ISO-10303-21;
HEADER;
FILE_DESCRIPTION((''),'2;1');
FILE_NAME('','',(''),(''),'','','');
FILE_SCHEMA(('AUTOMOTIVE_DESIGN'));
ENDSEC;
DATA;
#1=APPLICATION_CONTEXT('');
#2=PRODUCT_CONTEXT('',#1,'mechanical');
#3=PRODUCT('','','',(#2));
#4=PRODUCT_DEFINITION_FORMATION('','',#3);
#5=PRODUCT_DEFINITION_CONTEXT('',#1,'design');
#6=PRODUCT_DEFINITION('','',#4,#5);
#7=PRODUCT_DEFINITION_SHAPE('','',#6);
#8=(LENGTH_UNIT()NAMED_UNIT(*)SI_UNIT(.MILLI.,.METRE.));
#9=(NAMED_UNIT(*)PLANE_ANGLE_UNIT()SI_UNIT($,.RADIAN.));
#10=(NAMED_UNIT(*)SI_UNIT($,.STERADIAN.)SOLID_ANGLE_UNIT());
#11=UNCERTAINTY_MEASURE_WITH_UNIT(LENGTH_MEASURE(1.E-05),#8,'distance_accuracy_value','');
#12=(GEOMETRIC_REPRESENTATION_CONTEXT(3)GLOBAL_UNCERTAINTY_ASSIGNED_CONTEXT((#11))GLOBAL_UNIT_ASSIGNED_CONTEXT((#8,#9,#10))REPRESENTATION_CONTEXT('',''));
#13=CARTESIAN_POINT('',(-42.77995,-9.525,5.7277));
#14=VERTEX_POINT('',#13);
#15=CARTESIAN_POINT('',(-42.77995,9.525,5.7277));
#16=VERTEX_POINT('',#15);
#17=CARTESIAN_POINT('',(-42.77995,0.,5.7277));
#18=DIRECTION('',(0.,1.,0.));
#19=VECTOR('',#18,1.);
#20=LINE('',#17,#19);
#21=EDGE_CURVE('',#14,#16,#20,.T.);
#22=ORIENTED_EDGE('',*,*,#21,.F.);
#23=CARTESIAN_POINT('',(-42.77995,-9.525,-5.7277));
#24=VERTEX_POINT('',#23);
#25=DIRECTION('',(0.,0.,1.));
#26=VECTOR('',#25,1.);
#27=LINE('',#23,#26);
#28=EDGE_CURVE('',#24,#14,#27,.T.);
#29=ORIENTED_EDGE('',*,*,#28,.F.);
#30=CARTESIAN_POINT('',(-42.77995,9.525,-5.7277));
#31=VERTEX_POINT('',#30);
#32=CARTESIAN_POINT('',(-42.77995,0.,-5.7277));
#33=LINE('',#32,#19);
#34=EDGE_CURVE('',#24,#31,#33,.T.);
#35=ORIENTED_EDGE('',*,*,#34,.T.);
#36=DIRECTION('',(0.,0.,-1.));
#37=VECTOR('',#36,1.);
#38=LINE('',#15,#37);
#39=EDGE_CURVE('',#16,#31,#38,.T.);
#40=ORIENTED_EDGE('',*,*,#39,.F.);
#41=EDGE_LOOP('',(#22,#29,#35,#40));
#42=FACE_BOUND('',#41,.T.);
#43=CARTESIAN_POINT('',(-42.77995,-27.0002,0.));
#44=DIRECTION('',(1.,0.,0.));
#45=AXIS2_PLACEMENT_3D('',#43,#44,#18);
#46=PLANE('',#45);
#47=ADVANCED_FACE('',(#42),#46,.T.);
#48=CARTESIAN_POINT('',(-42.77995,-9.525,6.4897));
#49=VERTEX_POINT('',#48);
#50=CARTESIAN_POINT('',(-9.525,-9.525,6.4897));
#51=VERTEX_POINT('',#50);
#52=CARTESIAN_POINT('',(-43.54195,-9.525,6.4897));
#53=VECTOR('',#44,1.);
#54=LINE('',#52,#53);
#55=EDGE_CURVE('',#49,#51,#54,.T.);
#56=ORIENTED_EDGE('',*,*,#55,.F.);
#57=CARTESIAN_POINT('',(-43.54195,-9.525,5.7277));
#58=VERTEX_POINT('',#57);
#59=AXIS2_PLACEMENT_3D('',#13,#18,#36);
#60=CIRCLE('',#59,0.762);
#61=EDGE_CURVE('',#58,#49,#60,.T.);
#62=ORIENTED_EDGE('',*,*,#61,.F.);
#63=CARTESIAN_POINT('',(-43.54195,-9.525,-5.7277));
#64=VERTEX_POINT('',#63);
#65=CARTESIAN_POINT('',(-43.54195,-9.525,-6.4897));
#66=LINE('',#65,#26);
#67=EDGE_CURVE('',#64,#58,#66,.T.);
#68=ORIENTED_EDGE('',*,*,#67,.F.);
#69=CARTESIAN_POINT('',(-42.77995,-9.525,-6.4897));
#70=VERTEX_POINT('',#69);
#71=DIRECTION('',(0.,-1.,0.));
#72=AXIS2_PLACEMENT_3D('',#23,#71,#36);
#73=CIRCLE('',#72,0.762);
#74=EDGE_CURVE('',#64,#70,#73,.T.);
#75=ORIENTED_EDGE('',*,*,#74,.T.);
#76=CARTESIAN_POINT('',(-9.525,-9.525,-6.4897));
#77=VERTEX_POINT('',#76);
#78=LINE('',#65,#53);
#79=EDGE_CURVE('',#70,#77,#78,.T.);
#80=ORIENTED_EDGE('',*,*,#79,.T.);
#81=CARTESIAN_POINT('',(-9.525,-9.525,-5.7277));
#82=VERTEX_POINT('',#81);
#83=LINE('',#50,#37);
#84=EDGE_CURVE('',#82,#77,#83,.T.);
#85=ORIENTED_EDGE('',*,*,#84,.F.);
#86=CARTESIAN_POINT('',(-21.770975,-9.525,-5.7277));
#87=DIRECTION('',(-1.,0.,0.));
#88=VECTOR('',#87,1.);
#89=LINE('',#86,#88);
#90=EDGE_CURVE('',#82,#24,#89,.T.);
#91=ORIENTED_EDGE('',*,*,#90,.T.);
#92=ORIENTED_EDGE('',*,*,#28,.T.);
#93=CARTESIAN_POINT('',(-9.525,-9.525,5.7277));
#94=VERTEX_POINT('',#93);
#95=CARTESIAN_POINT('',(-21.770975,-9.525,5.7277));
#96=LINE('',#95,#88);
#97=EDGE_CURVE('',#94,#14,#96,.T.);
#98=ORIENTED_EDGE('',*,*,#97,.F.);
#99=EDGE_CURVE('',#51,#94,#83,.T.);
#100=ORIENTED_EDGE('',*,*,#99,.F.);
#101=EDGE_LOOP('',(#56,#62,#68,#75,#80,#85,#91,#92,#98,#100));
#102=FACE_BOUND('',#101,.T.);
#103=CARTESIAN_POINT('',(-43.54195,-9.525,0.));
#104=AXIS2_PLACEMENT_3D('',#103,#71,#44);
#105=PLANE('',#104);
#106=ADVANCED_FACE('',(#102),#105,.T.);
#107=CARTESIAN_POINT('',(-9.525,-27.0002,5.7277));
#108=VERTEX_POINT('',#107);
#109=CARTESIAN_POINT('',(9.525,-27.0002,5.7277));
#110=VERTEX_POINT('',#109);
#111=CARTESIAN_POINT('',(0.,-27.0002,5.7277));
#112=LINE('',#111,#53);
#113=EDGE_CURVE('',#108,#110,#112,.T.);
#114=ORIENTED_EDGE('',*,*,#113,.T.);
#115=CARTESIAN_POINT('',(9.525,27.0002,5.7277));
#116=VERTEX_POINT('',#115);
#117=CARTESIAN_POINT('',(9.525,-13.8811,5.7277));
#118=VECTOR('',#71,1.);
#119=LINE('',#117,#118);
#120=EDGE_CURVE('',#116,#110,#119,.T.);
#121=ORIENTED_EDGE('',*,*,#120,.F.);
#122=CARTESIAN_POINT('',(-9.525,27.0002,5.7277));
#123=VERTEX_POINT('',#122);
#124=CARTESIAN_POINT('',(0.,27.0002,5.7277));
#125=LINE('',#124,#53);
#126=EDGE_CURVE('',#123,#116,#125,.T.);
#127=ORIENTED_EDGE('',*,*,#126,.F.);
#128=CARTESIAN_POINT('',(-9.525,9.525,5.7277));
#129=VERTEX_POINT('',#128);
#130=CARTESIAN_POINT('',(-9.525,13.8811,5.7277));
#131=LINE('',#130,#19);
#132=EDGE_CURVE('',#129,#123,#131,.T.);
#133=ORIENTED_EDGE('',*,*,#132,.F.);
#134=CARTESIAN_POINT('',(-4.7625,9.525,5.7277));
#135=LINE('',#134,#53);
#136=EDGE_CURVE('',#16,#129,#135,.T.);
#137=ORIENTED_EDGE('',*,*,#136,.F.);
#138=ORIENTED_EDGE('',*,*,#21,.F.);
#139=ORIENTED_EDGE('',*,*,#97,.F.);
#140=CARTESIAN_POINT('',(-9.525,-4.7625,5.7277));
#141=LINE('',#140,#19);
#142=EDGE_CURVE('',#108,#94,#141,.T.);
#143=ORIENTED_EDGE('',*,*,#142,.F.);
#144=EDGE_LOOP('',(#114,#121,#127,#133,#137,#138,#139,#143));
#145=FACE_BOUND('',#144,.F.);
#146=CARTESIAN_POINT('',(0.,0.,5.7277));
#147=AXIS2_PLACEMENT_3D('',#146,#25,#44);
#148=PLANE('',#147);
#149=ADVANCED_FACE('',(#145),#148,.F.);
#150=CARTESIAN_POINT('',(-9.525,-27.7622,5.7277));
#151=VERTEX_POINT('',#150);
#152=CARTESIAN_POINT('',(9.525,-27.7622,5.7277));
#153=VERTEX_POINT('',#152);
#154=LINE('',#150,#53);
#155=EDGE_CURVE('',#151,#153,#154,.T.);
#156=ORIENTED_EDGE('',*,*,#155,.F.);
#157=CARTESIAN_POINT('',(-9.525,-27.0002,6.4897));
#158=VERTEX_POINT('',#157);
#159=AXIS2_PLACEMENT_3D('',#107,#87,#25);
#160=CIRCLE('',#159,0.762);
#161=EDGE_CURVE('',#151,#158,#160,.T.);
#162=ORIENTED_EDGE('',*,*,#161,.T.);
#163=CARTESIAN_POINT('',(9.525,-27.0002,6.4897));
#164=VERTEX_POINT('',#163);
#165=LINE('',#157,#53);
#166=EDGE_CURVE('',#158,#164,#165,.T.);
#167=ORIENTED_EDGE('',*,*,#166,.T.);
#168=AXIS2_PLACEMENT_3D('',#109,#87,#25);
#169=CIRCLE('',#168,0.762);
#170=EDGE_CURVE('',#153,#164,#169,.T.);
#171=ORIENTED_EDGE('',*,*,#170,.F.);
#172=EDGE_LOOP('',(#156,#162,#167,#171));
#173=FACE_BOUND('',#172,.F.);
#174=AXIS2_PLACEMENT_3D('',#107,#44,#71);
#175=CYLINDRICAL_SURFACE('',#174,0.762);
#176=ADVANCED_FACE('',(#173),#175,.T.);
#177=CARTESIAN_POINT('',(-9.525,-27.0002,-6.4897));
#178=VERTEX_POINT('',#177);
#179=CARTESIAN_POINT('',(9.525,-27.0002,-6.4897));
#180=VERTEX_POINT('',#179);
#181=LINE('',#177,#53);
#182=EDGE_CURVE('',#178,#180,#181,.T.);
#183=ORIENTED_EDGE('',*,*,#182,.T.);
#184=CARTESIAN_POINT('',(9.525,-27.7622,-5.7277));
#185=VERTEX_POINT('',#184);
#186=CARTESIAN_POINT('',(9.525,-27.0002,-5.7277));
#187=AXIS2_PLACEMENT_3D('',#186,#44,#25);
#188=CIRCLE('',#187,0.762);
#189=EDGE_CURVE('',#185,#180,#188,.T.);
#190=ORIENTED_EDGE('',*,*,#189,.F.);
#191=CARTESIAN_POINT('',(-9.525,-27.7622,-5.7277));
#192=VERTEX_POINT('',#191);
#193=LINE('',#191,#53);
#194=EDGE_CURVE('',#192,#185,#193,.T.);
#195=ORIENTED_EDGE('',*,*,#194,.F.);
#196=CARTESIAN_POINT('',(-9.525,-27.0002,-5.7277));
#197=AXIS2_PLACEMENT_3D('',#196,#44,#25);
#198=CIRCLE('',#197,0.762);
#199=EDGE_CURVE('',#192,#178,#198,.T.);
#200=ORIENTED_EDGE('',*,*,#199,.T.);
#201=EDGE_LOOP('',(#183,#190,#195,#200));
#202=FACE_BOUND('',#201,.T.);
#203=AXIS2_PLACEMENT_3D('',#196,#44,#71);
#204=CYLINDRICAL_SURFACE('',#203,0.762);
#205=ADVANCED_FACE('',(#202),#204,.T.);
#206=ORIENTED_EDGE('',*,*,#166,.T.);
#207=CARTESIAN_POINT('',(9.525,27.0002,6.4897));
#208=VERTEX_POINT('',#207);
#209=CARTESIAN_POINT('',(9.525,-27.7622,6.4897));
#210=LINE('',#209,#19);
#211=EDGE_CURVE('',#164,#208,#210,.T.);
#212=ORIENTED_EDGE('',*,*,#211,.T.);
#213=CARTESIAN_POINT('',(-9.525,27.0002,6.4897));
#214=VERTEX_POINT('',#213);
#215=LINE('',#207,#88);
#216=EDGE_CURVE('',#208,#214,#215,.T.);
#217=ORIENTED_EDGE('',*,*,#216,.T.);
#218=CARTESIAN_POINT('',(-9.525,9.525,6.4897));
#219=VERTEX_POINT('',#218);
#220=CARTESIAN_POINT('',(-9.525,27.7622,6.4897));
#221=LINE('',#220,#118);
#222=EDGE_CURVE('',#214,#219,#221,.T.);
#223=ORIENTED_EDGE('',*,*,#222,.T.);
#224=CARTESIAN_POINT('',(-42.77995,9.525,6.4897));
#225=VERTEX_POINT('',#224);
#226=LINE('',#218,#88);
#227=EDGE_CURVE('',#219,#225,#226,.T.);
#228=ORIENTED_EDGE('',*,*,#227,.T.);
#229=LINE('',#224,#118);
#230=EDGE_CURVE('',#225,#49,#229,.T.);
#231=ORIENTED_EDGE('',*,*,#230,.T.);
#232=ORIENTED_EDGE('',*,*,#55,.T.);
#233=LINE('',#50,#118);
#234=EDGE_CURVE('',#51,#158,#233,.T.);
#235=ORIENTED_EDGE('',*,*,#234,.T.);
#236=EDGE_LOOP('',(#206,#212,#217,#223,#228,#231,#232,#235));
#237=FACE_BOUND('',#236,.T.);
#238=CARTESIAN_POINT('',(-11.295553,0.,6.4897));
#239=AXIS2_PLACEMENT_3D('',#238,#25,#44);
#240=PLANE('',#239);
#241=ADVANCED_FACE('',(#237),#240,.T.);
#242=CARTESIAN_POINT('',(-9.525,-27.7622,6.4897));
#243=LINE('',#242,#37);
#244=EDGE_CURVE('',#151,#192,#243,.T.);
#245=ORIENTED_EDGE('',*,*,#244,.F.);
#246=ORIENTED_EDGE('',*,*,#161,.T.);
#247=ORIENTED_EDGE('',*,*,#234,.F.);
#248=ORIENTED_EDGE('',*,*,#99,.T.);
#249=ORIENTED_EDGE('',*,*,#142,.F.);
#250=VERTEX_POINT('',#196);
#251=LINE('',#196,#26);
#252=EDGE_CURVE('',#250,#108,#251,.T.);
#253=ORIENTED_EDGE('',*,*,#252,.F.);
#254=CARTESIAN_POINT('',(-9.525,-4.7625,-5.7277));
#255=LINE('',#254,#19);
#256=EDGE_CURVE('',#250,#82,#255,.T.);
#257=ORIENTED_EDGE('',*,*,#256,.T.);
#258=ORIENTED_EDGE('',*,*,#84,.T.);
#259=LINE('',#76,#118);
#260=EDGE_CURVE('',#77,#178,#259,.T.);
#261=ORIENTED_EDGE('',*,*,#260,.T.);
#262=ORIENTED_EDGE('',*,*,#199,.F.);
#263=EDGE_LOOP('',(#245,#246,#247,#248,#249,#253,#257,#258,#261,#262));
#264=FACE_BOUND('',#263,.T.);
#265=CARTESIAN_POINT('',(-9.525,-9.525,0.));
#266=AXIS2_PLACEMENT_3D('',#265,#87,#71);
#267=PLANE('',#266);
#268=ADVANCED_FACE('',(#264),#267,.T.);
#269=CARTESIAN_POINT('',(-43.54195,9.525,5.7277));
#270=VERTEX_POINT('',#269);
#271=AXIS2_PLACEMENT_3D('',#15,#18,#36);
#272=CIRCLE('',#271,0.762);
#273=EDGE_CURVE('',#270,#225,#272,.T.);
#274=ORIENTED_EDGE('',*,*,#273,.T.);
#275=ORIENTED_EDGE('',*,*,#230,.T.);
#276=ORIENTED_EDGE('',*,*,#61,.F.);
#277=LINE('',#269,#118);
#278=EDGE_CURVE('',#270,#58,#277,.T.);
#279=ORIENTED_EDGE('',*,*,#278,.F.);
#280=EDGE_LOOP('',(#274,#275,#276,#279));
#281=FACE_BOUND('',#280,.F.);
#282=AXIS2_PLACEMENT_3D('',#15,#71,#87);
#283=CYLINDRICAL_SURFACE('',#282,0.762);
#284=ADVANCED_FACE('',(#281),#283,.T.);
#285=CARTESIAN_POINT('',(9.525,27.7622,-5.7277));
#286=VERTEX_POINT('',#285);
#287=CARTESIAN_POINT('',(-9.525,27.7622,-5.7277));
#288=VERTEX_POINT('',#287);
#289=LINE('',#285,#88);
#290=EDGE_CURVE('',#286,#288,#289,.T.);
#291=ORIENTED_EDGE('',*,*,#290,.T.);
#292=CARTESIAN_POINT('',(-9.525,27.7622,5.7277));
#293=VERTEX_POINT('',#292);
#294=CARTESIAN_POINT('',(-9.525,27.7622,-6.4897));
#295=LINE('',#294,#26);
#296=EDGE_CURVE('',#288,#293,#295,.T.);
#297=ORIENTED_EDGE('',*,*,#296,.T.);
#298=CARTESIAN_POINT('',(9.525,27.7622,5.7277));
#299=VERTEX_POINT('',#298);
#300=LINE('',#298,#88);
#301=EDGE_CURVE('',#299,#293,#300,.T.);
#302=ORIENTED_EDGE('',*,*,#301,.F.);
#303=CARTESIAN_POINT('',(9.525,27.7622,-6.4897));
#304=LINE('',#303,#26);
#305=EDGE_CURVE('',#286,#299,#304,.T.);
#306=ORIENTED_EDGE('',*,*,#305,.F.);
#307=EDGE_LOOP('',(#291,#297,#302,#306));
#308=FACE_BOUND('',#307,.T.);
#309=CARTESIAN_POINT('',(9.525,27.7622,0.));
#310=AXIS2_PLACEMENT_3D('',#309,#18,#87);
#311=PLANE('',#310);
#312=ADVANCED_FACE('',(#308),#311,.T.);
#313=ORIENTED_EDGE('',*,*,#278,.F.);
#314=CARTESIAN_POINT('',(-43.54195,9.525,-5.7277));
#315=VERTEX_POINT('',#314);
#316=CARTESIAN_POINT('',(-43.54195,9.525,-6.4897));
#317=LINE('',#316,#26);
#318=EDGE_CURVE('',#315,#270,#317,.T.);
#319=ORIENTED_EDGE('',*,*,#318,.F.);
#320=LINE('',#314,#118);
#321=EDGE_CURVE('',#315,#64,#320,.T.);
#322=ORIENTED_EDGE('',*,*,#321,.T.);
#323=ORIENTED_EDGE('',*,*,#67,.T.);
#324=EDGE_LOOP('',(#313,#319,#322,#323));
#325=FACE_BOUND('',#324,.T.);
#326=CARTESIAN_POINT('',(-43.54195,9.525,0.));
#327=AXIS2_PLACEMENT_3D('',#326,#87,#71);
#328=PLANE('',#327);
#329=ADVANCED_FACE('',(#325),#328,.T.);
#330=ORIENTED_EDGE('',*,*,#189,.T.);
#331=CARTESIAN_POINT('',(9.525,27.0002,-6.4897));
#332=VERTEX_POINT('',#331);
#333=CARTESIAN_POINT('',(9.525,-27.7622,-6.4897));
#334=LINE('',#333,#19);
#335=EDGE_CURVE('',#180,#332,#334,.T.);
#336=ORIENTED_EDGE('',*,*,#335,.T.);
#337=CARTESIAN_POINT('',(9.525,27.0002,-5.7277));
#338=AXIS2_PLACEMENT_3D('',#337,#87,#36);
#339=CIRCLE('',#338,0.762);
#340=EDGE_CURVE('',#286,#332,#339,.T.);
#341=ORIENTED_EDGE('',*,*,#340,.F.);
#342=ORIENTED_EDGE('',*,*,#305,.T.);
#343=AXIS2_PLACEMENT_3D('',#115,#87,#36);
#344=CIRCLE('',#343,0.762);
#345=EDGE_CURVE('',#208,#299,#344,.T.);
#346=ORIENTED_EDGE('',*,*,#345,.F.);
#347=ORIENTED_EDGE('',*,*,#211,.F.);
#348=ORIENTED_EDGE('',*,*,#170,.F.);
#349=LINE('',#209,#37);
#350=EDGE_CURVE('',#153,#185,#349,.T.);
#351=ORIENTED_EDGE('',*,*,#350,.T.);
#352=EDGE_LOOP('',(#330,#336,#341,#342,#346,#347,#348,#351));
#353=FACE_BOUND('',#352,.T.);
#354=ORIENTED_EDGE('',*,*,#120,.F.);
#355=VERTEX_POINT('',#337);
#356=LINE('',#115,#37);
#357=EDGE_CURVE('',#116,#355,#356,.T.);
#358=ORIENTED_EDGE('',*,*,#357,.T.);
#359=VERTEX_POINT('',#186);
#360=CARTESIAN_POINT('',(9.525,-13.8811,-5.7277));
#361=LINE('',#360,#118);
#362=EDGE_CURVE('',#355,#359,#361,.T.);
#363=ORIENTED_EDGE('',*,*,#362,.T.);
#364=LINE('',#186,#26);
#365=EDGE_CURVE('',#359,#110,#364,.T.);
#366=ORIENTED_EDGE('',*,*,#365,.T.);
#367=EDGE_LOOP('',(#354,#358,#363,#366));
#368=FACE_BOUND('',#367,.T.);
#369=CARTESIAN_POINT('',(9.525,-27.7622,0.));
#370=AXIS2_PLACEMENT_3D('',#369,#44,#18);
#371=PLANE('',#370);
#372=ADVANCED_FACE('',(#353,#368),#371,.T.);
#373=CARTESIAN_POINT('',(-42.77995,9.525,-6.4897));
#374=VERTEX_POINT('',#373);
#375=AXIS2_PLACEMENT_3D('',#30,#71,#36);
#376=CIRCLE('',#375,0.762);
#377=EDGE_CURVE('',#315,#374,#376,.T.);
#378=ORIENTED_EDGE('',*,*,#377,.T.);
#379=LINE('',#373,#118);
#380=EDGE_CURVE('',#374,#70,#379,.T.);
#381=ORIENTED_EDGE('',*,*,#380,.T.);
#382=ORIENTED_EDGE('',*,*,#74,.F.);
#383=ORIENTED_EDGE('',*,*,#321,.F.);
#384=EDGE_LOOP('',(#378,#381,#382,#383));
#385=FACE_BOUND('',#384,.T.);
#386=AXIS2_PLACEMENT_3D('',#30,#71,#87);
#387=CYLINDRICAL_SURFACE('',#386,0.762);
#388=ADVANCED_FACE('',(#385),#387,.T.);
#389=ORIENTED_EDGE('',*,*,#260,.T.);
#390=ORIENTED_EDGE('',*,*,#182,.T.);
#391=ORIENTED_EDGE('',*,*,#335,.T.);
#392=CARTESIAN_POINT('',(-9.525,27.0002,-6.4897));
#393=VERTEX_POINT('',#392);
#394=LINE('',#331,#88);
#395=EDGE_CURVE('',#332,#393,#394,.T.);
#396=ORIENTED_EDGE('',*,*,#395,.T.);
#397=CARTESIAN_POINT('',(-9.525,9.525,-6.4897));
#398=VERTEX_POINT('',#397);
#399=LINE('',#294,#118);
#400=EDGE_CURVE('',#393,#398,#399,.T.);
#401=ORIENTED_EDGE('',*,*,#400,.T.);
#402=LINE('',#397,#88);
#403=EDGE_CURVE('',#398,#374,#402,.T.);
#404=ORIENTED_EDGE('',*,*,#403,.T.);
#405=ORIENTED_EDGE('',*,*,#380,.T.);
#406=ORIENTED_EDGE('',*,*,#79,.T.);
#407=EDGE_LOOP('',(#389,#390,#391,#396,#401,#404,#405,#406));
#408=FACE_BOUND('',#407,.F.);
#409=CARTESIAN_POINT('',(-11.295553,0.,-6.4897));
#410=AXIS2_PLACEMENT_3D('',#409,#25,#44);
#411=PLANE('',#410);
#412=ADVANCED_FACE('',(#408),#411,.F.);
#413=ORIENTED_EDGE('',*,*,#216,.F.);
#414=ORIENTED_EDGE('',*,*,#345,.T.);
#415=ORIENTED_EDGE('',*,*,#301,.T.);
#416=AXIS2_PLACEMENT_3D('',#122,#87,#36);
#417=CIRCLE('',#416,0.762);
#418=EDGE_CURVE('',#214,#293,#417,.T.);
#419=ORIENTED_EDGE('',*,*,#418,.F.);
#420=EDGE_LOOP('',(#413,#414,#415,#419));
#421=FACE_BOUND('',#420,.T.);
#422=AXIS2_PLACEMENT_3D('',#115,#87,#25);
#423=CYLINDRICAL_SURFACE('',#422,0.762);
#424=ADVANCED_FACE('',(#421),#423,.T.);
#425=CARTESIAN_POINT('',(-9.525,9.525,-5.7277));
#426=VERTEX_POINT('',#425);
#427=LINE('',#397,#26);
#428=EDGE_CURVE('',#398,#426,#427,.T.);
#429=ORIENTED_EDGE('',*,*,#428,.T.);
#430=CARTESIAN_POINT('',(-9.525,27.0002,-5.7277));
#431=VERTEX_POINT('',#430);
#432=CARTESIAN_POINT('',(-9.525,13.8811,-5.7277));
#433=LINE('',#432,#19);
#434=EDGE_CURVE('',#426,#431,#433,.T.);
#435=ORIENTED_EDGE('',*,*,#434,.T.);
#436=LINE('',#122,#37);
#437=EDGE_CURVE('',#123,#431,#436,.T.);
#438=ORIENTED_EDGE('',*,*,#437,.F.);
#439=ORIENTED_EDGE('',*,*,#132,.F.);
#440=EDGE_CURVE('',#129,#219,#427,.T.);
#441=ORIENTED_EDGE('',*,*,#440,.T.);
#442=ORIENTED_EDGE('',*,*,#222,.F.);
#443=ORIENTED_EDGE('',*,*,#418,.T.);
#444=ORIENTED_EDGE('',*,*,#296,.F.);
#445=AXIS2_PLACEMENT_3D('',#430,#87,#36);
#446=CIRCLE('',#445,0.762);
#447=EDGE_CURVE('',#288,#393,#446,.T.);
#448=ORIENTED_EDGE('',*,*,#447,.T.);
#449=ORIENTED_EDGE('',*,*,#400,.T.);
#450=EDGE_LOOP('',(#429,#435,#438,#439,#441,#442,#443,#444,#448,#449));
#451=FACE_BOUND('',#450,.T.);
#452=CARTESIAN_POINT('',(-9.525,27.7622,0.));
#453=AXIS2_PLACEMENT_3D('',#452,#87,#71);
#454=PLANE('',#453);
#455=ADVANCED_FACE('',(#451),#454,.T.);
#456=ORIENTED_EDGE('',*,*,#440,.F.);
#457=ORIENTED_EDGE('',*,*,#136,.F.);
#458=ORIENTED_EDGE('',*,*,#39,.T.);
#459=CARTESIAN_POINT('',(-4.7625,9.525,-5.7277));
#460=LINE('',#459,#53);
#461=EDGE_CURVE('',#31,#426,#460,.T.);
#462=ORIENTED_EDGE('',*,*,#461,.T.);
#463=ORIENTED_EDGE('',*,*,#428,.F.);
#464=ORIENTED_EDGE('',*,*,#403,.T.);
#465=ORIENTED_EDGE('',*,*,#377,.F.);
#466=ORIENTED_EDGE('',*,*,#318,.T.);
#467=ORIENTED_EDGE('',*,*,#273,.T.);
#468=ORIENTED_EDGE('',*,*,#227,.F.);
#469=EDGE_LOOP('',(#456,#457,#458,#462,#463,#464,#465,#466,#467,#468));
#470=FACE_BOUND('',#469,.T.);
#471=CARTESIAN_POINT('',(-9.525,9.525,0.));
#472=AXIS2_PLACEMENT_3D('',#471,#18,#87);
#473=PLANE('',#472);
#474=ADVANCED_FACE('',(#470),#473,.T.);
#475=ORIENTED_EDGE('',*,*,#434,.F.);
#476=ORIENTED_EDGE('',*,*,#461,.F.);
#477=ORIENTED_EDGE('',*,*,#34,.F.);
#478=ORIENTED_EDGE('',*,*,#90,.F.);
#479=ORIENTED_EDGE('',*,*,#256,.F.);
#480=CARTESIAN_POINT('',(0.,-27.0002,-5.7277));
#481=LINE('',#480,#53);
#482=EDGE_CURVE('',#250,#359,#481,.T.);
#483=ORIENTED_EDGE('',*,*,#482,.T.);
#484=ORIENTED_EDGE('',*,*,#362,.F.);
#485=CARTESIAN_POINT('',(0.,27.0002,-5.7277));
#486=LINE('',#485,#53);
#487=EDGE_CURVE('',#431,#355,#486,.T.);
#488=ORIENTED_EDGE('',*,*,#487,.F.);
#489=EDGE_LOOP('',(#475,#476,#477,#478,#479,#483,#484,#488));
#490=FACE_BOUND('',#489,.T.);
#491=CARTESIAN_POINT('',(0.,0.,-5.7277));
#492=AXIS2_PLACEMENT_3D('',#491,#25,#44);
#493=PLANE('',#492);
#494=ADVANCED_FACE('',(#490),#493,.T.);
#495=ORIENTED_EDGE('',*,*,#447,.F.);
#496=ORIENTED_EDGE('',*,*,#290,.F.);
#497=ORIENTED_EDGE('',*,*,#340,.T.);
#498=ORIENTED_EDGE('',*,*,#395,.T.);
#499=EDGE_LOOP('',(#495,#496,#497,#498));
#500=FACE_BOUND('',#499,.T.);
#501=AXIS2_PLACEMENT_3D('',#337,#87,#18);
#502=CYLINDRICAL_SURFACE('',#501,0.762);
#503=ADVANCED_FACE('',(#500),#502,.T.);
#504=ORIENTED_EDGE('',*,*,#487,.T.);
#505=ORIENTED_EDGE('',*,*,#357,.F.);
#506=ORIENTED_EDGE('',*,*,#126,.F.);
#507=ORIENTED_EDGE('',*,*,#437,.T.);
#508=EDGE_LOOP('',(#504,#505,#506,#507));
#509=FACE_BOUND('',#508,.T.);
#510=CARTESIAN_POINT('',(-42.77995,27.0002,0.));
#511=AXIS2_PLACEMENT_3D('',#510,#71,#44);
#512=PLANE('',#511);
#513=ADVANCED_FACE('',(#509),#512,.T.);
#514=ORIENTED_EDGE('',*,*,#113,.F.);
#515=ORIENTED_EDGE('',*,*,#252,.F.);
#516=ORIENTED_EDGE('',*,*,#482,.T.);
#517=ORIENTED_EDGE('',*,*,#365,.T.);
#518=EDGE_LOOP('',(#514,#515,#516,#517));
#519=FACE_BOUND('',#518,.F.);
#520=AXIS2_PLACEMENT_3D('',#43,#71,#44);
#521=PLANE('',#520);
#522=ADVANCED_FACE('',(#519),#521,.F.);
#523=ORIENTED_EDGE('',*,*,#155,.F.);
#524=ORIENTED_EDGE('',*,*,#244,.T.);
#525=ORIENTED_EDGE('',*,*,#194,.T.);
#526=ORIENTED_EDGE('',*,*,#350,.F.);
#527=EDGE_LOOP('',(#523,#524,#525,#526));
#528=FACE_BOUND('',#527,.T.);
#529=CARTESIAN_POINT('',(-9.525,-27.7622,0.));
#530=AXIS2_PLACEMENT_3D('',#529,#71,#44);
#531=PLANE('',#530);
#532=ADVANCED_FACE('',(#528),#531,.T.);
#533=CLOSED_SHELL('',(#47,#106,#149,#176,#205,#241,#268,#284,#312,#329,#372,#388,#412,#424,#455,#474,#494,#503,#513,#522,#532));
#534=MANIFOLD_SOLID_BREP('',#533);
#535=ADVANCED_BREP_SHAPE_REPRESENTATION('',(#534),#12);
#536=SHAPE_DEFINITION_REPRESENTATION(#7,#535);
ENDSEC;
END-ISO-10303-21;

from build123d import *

# Parameters (mm, degrees)
F1_DEPTH      = 6.4897
F1_DEPTH_BACK = 6.4897
F2_W          = 85.5599
F2_H          = 54.0004
F3_DEPTH      = 5.7277
F3_DEPTH_BACK = 5.7277
F4_R          = 0.762


with BuildPart() as f1:
    # F0 (on Top) → F1 (new body, two sides)
    with BuildSketch(Plane.XY) as f1_sk:
        Polygon((9.525, -27.7622), (9.525, 27.7622), (-9.525, 27.7622), (-9.525, 9.525), (-43.54195, 9.525), (-43.54195, -9.525), (-9.525, -9.525), (-9.525, -27.7622), align=None)
    extrude(amount=F1_DEPTH)
    extrude(f1_sk.sketch, amount=-F1_DEPTH_BACK)

    # F2 (on Top) → F3 (cut, two sides)
    with BuildSketch(Plane.XY) as f3_sk:
        Rectangle(F2_W, F2_H)
    extrude(amount=-F3_DEPTH, mode=Mode.SUBTRACT)
    extrude(f3_sk.sketch, amount=F3_DEPTH_BACK, mode=Mode.SUBTRACT)

    # F4
    f4_edges = [f1.edges().sort_by_distance(p)[0] for p in [
        (0, -27.7622, 6.4897),
        (0, -27.7622, -6.4897),
        (0, 27.7622, 6.4897),
        (0, 27.7622, -6.4897),
        (-43.54195, 0, -6.4897),
        (-43.54195, 0, 6.4897),
    ]]
    fillet(f4_edges, radius=F4_R)


solid = f1.part
